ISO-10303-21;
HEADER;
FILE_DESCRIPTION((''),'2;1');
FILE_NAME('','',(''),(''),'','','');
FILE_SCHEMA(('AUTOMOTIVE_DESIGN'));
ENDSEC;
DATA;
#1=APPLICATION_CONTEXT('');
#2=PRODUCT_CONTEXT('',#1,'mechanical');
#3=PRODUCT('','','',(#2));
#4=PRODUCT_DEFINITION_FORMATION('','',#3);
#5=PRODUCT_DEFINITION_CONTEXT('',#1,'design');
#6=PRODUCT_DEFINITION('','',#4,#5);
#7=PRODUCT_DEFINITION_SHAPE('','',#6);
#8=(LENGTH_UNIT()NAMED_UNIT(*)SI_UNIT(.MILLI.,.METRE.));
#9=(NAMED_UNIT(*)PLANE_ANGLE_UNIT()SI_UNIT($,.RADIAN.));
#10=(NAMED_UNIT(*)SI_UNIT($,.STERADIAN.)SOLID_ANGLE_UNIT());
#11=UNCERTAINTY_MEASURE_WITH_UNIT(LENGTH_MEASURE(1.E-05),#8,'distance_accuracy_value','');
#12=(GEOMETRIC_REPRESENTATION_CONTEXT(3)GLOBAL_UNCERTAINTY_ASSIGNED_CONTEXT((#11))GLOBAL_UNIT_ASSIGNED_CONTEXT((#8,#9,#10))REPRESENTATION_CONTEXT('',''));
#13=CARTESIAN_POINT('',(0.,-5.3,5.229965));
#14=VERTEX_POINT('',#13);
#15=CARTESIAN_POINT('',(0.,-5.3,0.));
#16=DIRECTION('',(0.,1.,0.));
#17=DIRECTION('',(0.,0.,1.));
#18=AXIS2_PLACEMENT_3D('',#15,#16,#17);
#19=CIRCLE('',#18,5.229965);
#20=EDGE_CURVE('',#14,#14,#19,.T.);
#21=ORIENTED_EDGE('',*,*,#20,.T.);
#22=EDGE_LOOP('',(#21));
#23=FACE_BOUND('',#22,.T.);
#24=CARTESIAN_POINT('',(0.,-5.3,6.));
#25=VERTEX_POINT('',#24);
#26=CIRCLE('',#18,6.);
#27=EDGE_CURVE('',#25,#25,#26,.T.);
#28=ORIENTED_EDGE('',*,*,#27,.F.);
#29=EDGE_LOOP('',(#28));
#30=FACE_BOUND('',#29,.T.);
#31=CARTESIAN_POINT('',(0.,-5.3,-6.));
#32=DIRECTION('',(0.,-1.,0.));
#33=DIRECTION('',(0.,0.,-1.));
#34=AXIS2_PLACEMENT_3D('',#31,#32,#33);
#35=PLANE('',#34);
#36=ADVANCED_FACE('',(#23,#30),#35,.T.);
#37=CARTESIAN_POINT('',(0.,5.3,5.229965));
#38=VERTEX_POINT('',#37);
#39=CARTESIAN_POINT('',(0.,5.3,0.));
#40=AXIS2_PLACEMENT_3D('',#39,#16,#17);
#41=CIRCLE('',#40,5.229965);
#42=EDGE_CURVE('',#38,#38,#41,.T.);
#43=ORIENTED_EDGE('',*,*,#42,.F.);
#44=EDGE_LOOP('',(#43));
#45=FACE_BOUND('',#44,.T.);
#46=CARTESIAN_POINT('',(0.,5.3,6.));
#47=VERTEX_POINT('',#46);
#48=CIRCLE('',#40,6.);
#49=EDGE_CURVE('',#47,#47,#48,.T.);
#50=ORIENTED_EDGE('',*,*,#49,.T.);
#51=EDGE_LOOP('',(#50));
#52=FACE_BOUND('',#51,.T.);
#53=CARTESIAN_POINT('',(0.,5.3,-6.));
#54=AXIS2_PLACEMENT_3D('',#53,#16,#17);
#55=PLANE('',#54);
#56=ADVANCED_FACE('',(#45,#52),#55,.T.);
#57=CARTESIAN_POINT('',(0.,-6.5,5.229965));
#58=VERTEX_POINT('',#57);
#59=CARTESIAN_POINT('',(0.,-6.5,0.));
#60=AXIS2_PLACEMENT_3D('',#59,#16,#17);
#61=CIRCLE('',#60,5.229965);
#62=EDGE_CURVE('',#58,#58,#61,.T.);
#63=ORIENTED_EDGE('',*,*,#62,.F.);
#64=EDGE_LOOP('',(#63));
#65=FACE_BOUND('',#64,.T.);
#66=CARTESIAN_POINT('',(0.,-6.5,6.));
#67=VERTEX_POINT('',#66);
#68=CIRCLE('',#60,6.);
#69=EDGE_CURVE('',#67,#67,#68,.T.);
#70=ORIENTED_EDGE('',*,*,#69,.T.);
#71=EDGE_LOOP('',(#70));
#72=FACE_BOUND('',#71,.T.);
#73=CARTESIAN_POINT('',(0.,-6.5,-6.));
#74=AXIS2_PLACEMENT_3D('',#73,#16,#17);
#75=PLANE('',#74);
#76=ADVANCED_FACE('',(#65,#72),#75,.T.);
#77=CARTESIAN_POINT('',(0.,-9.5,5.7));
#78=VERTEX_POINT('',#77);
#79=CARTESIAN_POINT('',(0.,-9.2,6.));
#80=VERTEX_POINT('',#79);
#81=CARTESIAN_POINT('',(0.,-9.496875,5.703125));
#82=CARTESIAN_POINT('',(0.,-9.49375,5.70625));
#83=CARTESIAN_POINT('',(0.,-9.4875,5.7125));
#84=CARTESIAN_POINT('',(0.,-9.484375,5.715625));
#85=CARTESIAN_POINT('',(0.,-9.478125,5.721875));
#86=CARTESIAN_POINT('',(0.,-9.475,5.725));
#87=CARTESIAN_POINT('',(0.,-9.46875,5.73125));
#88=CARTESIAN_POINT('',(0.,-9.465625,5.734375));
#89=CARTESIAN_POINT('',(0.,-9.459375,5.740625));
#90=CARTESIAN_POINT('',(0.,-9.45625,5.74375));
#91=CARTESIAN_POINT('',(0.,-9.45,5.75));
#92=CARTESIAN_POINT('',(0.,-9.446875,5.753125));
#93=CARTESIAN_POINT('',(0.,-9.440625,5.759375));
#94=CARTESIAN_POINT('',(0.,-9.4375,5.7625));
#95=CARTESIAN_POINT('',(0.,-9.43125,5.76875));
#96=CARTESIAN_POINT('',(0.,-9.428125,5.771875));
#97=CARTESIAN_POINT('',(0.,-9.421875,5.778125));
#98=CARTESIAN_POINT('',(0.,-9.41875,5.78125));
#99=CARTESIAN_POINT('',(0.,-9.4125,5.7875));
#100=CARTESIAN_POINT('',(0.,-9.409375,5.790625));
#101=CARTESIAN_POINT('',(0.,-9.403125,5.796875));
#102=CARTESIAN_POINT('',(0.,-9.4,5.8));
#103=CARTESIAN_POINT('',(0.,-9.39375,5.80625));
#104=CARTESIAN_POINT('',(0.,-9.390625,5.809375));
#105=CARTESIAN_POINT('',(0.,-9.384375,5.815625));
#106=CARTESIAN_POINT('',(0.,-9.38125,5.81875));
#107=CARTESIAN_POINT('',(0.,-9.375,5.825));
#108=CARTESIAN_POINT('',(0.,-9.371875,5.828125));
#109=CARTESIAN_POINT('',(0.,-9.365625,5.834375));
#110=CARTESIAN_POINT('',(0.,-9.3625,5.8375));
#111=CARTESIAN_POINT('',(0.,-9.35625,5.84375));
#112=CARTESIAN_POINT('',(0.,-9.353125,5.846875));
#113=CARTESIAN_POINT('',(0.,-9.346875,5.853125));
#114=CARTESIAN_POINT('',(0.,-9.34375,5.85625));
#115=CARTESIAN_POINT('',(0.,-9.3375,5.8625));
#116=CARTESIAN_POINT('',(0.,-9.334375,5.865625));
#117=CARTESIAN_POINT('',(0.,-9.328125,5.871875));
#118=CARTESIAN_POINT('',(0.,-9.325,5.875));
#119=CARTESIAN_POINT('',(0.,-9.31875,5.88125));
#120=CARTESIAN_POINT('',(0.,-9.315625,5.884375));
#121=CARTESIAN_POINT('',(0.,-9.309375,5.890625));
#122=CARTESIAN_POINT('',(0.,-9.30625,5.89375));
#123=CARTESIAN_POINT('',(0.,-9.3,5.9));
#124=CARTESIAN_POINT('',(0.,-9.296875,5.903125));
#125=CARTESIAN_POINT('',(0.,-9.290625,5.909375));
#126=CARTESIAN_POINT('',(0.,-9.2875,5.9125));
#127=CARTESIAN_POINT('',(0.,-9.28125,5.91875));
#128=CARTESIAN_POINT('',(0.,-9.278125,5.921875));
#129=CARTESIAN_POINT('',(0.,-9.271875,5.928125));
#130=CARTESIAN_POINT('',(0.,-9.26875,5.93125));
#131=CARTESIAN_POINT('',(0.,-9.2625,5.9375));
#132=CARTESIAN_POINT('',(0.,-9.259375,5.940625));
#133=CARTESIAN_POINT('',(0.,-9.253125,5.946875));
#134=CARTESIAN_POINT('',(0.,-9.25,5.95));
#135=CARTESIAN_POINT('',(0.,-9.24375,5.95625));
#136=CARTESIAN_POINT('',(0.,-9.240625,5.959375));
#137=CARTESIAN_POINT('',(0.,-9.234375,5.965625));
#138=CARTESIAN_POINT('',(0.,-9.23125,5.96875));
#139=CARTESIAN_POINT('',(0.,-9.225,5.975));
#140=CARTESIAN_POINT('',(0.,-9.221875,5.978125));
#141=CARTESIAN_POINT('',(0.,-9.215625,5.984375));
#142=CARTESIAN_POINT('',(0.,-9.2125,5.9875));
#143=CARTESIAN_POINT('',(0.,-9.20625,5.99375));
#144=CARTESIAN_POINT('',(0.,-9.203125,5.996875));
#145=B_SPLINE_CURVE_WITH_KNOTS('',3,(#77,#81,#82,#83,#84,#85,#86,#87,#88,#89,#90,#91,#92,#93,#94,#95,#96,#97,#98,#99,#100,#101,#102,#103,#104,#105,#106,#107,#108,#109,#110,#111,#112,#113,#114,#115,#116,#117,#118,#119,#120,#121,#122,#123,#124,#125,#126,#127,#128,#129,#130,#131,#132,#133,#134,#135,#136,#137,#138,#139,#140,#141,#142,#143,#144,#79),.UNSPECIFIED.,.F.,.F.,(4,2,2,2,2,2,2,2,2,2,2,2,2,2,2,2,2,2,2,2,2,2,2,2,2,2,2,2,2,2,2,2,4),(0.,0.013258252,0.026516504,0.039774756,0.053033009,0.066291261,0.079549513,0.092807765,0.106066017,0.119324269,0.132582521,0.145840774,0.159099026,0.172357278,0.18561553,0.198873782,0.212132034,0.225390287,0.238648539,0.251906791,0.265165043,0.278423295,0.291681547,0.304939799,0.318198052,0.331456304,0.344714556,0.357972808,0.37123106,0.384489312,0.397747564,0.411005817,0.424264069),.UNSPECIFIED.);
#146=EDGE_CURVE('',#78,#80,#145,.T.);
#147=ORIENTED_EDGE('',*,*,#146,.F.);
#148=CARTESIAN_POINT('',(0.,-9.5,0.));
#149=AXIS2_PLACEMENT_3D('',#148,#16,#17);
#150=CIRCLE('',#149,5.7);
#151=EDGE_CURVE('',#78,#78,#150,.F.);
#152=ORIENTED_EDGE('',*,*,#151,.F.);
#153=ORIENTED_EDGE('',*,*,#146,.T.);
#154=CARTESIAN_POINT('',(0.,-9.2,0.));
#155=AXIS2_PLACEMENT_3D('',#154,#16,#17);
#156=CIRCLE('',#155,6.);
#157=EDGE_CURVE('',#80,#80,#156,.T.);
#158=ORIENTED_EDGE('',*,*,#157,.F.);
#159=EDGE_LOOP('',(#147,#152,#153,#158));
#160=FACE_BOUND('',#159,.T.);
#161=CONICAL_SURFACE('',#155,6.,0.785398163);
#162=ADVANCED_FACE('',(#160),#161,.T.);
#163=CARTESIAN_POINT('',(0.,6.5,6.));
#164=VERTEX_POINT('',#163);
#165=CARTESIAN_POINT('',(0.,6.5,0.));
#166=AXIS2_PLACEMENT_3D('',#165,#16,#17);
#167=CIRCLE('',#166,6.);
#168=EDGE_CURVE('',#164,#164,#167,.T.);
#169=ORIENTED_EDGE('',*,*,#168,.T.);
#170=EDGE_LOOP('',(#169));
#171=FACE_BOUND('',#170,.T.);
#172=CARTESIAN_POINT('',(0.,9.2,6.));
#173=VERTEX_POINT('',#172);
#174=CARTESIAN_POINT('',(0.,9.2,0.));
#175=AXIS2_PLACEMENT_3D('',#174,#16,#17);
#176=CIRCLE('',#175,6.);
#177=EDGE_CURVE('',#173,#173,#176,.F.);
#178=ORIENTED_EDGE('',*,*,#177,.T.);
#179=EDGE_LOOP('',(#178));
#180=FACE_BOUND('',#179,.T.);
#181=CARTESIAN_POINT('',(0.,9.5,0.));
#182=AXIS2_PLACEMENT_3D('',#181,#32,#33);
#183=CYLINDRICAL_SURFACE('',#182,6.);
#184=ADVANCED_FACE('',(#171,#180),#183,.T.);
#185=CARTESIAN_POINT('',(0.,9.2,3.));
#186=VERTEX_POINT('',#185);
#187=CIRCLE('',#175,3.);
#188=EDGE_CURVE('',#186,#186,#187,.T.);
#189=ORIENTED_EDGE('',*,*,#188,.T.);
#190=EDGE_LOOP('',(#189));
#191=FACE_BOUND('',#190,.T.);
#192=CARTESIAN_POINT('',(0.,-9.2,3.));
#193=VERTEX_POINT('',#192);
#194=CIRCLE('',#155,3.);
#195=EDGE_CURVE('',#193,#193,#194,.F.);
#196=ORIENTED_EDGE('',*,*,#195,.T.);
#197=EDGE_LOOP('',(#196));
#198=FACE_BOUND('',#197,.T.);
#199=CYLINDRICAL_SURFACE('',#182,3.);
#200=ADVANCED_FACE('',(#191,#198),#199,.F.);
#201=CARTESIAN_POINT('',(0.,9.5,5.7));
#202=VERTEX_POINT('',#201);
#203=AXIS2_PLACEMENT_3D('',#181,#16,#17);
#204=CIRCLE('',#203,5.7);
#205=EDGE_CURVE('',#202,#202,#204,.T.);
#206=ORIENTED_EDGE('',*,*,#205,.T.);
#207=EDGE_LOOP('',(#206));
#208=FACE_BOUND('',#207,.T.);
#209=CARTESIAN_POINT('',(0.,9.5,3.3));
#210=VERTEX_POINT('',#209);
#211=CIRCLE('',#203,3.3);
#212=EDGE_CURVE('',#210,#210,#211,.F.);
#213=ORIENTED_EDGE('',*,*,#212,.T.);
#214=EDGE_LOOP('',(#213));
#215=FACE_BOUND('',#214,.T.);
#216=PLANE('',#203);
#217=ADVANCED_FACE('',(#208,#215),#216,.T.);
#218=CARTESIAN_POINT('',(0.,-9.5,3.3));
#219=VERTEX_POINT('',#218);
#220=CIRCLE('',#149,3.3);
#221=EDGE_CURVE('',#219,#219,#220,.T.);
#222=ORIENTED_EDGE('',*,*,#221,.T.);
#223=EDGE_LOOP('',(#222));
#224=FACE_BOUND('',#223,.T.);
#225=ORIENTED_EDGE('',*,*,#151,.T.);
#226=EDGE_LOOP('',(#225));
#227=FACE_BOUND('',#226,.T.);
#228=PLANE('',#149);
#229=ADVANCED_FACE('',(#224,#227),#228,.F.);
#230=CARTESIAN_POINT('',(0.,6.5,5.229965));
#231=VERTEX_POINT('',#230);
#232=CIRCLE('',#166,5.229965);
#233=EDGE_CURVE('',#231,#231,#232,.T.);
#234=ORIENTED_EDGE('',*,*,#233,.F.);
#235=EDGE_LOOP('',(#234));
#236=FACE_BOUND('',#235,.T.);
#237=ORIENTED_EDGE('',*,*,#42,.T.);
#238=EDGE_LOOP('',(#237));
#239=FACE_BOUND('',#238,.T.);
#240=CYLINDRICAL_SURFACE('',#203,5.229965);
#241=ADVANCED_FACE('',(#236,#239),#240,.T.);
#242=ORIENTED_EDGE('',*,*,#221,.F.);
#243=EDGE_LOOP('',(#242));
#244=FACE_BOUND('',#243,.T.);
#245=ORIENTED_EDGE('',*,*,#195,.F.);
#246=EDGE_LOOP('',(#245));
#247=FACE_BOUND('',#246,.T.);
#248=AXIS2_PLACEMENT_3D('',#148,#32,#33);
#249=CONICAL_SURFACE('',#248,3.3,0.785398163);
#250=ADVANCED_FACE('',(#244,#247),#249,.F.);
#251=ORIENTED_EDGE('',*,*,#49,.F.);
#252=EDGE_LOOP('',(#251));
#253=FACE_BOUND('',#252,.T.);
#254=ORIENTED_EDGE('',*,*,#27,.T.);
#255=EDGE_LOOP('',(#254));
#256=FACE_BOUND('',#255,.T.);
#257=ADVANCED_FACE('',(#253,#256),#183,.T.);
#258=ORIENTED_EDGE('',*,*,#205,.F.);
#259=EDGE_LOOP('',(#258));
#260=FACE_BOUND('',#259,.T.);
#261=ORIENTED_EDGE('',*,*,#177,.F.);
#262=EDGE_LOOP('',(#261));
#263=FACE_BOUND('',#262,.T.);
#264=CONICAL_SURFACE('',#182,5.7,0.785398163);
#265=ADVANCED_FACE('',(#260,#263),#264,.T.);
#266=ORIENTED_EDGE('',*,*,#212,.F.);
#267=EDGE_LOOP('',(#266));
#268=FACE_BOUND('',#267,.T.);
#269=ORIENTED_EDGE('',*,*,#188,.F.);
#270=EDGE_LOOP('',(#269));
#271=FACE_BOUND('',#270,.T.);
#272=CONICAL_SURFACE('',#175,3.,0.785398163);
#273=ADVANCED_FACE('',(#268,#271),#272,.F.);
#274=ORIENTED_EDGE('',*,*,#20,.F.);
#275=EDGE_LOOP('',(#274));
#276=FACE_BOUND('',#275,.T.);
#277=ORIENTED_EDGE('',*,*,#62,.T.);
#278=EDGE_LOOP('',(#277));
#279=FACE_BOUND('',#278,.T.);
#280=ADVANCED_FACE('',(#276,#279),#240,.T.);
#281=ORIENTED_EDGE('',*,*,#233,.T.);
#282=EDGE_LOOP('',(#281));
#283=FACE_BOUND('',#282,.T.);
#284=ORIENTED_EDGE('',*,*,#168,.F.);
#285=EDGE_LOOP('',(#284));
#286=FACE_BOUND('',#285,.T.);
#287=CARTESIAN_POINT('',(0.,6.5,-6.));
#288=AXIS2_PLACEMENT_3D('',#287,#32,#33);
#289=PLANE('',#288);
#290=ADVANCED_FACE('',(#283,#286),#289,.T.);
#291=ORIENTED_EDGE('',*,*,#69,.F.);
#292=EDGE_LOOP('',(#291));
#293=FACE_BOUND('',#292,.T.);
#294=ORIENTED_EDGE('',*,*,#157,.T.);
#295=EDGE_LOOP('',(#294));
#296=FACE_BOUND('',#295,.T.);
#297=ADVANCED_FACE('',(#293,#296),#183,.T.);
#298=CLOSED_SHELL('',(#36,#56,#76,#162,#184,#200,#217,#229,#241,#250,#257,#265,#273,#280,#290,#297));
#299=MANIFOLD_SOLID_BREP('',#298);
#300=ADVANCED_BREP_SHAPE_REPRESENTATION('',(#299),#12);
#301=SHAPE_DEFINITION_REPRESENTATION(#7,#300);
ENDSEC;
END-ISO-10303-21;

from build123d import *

# Parameters (mm, degrees)
SKETCH1_R           = 6
SKETCH1_R_2         = 3
BOSS_EXTRUDE1_DEPTH = 9.5
SKETCH2_W           = 0.770034963
SKETCH2_H           = 1.2
CHAMFER1_SIZE       = 0.3


with BuildPart() as part:
    # Sketch1 → Boss-Extrude1 (new, symmetric)
    with BuildSketch(Plane(origin=(0, 0, 0), x_dir=(1, 0, 0), z_dir=(0, 1, 0))):
        with Locations(Location((0, 0, 0), (0, 0, 270))):
            Circle(SKETCH1_R)
        with Locations(Location((0, 0, 0), (0, 0, 270))):
            Circle(SKETCH1_R_2, mode=Mode.SUBTRACT)
    extrude(amount=BOSS_EXTRUDE1_DEPTH, both=True)

    # Sketch2 → Cut-Revolve1 (revolve, cut)
    with BuildSketch(Plane(origin=(0, 0, 0), x_dir=(0, 0, -1), z_dir=(1, 0, 0)), mode=Mode.PRIVATE) as cut_revolve1_sk:
        with Locations((5.614982518, 5.9)):
            Rectangle(SKETCH2_W, SKETCH2_H)
        with Locations((5.614982518, -5.9)):
            Rectangle(SKETCH2_W, SKETCH2_H)
    revolve(cut_revolve1_sk.sketch.rotate(Axis((0, 9.5, 0), (0, -1, 0)), 180), axis=Axis((0, 9.5, 0), (0, -1, 0)), mode=Mode.SUBTRACT)

    # Chamfer1
    chamfer1_edges = [part.edges().sort_by_distance(p)[0] for p in [
        (0, -9.5, -6),
        (0, 9.5, -6),
        (0, -9.5, -3),
        (0, 9.5, -3),
    ]]
    chamfer(chamfer1_edges, length=CHAMFER1_SIZE)


solid = part.part
